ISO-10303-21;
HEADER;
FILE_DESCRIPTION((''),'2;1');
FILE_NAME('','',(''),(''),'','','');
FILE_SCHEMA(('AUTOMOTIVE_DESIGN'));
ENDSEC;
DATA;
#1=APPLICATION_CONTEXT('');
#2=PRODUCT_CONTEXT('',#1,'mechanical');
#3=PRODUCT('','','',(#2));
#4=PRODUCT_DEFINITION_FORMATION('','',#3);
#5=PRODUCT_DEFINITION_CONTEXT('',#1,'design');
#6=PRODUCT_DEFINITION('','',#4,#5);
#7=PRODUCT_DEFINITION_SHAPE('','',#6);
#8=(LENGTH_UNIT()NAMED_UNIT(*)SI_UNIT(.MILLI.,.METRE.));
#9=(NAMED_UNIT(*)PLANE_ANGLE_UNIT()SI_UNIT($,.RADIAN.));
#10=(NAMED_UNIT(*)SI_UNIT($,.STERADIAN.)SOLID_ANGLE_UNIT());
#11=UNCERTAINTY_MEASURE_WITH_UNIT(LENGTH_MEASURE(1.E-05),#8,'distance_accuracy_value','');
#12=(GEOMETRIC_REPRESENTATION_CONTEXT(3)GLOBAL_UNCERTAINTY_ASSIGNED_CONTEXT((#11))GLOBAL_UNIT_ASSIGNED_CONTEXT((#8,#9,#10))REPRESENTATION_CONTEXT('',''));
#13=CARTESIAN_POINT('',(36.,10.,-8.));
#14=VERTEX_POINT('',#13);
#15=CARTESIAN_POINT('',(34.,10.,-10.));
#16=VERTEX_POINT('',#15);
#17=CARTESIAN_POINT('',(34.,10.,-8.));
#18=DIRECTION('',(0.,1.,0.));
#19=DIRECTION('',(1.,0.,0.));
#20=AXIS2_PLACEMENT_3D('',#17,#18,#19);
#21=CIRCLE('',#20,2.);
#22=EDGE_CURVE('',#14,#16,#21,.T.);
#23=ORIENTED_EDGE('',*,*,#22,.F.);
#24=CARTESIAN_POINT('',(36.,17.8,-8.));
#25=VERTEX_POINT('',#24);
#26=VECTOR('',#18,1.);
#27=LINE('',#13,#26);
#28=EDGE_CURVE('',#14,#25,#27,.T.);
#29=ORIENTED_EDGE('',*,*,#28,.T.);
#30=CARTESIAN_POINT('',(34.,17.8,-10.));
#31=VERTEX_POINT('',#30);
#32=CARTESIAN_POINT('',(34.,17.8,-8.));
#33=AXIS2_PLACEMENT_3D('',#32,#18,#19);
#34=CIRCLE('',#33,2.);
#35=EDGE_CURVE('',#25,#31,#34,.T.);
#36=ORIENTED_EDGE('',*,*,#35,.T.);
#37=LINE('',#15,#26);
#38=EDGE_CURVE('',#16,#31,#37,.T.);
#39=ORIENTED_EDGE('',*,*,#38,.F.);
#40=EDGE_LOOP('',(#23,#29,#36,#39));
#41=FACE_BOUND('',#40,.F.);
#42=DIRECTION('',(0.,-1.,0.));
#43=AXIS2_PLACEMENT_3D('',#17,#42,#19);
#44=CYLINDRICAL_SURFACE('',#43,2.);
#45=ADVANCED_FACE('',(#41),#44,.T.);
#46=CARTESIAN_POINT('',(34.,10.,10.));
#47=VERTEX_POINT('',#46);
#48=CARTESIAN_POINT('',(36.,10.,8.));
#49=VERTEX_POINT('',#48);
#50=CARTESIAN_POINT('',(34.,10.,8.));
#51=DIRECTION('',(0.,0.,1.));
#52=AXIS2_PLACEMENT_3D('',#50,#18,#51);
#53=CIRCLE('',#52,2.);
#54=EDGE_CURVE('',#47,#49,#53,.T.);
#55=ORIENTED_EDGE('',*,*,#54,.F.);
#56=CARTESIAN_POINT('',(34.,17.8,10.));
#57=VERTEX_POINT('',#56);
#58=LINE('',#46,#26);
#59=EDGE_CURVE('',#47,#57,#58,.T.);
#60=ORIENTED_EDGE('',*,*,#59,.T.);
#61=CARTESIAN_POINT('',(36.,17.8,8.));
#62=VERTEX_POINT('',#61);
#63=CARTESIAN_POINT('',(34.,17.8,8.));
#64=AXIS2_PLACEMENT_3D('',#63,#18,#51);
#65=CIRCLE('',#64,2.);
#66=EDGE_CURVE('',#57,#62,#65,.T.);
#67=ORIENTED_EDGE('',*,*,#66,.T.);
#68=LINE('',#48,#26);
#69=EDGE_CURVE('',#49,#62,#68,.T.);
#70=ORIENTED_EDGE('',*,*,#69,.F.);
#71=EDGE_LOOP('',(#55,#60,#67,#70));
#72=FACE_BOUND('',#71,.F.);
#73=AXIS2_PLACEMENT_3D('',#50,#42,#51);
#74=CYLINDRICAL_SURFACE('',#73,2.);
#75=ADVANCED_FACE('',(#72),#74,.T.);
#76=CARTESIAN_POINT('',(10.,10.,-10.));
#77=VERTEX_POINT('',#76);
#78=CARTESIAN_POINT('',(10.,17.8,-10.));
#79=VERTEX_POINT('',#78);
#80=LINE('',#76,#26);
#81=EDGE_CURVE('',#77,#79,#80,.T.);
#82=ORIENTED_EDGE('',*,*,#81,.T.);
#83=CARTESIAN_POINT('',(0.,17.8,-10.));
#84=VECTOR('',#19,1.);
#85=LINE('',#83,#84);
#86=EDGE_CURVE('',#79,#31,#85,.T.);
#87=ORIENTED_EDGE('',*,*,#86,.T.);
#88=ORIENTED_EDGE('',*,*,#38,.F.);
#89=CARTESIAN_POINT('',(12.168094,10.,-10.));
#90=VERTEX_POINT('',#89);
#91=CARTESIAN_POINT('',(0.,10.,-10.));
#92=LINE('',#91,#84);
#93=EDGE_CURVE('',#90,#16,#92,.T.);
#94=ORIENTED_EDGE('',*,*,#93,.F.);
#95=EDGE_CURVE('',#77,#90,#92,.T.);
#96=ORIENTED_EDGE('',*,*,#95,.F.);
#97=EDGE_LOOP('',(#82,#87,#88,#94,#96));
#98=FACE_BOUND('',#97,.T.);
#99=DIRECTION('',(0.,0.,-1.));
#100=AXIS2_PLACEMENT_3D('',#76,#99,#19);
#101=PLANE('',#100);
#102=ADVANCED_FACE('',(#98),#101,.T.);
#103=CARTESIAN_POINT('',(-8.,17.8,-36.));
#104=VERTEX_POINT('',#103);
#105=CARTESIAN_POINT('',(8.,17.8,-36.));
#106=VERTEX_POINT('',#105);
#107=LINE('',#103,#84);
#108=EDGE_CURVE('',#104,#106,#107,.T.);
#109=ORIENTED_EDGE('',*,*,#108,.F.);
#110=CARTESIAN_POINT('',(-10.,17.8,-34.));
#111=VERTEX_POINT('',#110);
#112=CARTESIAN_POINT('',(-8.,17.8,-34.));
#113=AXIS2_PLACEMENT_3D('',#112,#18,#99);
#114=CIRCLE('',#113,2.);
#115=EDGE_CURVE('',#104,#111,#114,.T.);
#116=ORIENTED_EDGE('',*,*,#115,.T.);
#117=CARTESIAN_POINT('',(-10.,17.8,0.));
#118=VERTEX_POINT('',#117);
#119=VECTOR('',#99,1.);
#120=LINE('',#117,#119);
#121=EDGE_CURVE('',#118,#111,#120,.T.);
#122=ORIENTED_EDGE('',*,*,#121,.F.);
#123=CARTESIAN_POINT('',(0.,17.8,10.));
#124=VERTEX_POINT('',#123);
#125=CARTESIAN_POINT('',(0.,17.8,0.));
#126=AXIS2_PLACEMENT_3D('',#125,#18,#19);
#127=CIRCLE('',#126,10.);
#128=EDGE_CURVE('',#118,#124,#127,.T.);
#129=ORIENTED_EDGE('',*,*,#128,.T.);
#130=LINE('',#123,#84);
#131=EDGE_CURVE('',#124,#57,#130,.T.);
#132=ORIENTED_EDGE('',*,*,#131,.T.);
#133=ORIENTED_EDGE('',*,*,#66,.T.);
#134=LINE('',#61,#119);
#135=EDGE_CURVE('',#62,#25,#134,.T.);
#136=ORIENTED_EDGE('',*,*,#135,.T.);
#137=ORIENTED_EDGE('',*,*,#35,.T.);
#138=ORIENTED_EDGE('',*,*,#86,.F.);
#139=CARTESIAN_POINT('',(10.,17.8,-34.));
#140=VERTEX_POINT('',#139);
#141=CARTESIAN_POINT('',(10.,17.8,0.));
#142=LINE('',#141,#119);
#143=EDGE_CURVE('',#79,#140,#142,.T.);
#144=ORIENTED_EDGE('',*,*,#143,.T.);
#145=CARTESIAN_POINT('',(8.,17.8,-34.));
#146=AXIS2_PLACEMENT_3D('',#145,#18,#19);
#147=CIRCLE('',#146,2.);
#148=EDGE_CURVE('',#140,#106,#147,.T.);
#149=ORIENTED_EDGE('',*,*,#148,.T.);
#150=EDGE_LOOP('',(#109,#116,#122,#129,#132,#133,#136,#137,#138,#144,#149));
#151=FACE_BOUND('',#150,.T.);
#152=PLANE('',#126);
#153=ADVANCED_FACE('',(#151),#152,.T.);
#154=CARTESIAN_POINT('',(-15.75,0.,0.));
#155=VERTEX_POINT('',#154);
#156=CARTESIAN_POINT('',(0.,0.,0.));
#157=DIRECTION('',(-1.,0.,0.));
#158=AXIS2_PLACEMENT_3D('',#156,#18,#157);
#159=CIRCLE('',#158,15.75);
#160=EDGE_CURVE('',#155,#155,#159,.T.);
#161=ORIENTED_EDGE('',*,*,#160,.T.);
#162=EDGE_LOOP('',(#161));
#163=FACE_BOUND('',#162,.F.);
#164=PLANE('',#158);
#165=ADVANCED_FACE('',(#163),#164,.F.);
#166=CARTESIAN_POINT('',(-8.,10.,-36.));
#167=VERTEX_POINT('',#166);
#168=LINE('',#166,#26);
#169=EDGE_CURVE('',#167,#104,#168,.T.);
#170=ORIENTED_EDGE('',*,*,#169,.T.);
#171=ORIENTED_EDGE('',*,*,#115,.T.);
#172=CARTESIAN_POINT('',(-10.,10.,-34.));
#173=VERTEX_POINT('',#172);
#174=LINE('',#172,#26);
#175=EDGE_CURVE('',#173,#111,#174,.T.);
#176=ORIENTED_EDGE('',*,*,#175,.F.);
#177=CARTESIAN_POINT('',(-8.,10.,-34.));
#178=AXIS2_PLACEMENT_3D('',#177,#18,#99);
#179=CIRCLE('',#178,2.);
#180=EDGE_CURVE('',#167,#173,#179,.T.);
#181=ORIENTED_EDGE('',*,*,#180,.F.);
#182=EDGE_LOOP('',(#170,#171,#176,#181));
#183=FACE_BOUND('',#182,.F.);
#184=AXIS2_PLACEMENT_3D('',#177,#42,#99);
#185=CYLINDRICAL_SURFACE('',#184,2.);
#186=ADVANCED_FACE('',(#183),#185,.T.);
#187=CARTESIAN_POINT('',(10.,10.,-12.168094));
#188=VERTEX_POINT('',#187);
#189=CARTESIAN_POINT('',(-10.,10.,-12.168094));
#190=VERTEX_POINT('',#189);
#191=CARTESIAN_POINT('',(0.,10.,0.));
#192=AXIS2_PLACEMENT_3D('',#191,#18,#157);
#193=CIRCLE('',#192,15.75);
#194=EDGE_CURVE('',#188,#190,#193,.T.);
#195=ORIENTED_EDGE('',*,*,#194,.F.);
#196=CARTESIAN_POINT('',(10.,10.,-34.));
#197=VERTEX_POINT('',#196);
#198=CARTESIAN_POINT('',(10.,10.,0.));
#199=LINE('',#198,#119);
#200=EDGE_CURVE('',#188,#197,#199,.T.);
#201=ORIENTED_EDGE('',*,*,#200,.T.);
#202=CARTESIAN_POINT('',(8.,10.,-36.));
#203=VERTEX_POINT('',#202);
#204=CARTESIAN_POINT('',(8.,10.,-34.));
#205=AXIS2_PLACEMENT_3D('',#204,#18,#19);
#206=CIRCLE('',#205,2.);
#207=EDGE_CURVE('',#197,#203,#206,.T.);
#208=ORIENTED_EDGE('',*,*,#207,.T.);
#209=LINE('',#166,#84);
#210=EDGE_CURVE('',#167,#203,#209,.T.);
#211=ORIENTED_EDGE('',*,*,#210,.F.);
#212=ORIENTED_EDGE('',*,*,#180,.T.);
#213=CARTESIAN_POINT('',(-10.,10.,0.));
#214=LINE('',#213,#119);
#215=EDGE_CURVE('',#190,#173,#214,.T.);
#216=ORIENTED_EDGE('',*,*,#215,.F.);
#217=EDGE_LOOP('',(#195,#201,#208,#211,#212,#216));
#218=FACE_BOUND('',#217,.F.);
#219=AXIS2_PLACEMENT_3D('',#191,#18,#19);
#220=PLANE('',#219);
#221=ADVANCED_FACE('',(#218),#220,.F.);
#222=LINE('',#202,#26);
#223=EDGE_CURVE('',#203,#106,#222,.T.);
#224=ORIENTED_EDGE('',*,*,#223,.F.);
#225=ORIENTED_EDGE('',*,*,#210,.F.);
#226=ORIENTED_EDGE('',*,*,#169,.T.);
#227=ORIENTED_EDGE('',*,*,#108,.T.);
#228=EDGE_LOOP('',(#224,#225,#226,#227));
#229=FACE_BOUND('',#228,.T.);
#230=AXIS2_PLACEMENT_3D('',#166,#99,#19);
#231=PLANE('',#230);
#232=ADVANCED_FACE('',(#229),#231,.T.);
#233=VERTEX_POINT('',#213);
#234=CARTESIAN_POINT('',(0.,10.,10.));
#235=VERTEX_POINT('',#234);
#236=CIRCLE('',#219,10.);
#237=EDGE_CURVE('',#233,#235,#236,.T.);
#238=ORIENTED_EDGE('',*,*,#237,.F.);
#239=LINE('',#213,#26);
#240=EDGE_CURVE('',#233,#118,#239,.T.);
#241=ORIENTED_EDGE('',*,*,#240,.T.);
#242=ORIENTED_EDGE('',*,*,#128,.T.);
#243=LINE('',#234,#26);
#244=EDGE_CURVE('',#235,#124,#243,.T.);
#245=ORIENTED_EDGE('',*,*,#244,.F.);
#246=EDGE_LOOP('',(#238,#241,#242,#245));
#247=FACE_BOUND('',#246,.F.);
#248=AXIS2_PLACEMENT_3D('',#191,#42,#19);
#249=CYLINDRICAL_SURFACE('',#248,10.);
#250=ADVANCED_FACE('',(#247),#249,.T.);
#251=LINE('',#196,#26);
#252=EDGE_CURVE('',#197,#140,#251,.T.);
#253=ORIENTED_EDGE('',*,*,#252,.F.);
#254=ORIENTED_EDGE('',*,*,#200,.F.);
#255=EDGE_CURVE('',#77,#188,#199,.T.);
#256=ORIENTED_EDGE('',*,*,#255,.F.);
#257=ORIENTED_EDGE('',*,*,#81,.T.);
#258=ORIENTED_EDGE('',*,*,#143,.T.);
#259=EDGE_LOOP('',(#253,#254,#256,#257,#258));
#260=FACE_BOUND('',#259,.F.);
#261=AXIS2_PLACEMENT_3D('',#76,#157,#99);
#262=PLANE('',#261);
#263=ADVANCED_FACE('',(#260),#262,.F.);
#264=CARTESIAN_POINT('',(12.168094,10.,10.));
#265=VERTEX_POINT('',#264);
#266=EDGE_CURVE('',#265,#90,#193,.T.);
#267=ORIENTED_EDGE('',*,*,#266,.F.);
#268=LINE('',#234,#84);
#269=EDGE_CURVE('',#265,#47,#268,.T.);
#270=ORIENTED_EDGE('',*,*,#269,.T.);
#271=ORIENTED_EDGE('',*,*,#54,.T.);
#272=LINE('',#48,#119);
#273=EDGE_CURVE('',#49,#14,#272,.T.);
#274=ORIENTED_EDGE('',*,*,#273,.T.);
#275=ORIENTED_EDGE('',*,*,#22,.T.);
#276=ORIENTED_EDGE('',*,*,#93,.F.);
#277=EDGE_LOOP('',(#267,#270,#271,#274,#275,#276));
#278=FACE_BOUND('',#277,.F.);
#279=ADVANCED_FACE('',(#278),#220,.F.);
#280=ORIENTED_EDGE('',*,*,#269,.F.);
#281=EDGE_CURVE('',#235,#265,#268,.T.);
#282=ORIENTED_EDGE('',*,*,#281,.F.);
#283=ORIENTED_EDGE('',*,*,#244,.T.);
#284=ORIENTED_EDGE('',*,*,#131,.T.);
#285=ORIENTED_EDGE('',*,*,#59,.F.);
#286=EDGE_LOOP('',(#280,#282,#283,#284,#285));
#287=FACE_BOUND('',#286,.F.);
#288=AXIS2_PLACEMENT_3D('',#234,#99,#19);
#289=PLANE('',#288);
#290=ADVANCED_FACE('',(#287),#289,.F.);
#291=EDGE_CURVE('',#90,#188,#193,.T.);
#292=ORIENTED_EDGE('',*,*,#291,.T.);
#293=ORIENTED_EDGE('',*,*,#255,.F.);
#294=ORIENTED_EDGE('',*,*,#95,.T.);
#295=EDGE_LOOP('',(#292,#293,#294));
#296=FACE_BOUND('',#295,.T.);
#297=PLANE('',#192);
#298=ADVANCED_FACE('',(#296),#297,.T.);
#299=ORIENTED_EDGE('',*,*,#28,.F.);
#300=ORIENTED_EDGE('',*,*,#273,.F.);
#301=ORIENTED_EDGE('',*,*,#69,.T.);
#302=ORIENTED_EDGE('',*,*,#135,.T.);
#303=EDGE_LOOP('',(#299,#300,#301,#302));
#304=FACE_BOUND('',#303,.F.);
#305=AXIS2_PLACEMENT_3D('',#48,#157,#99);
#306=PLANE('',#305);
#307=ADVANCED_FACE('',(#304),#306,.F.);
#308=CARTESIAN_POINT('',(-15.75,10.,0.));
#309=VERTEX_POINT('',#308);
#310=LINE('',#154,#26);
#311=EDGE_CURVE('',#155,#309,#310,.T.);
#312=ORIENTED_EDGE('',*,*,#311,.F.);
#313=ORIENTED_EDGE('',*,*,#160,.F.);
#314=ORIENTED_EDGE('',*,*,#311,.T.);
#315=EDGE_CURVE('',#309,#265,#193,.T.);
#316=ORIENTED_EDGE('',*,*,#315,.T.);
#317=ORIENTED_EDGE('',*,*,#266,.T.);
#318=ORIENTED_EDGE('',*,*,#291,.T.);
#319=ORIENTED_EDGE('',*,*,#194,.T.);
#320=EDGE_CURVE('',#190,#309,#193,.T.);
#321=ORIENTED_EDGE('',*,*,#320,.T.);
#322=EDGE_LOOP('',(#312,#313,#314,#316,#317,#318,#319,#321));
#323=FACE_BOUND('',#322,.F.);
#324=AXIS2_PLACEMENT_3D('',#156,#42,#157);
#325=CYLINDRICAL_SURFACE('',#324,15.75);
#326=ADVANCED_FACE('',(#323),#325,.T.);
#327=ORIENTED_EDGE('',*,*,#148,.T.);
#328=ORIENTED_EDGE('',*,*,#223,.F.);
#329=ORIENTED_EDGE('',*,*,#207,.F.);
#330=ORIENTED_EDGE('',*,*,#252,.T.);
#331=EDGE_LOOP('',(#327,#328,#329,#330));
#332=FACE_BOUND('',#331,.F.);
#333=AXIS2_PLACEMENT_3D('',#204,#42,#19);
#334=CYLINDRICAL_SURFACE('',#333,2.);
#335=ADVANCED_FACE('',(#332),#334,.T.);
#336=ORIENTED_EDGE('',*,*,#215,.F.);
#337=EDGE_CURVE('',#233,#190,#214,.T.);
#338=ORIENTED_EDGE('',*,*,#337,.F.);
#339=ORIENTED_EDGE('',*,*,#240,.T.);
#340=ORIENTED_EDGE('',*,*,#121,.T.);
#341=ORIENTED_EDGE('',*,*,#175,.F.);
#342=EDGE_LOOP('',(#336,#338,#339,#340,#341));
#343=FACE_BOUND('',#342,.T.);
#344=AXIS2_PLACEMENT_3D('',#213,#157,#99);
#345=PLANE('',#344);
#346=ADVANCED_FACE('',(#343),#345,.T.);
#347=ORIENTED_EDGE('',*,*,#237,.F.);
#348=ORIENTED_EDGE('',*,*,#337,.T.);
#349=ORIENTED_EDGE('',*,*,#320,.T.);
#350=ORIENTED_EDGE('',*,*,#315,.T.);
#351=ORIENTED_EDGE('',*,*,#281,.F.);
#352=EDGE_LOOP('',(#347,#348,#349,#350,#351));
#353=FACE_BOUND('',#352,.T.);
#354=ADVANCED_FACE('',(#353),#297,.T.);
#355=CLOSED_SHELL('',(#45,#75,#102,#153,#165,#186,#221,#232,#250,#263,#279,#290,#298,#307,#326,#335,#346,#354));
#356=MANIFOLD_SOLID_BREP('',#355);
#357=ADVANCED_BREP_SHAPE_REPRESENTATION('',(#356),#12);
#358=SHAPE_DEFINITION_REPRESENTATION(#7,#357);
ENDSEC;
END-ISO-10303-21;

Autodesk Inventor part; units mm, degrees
ref_plane "YZ Plane" through (0, 0, 0) normal (1, 0, 0) x (0, 1, 0)
ref_plane "XZ Plane" through (0, 0, 0) normal (0, 1, 0) x (-1, 0, 0)
ref_plane "XY Plane" through (0, 0, 0) normal (0, 0, 1) x (1, 0, 0)
sketch "Sketch1" plane through (0, 0, 0) normal (0, 1, 0) x (-1, 0, 0)
  circle A0 centre (0, 0) radius 15.75
  dimension "d0" = 31.5
extrude "Extrusion1" add sketch "Sketch1" along normal blind 10
sketch "Sketch2" plane through (0, 10, 0) normal (0, 1, 0) x (1, 0, 0)
  circle A0 centre (0, 0) radius 10
  line L0 (0, -10) -> (34, -10)
  line L1 (-10, 0) -> (-10, 34)
  line L2 (0, 10) -> (34, 10)
  line L3 (10, 0) -> (10, 34)
  line L4 (-8, 36) -> (8, 36)
  line L5 (36, -8) -> (36, 8)
  arc A1 (34, -10) -> (36, -8) centre (34, -8) ccw
  arc A2 (36, 8) -> (34, 10) centre (34, 8) ccw
  arc A3 (10, 34) -> (8, 36) centre (8, 34) ccw
  arc A4 (-8, 36) -> (-10, 34) centre (-8, 34) ccw
  point P0 (36, -10)
  point P1 (-10, 36)
  point P2 (10, 10)
  dimension "d3" = 20
  dimension "d4" = 36
  dimension "d5" = 36
  dimension "d6" = 2
  dimension "d7" = 20
  dimension "d8" = 20
extrude "Extrusion2" add sketch "Sketch2" along normal blind 7.8
properties part number "Door Lock"
